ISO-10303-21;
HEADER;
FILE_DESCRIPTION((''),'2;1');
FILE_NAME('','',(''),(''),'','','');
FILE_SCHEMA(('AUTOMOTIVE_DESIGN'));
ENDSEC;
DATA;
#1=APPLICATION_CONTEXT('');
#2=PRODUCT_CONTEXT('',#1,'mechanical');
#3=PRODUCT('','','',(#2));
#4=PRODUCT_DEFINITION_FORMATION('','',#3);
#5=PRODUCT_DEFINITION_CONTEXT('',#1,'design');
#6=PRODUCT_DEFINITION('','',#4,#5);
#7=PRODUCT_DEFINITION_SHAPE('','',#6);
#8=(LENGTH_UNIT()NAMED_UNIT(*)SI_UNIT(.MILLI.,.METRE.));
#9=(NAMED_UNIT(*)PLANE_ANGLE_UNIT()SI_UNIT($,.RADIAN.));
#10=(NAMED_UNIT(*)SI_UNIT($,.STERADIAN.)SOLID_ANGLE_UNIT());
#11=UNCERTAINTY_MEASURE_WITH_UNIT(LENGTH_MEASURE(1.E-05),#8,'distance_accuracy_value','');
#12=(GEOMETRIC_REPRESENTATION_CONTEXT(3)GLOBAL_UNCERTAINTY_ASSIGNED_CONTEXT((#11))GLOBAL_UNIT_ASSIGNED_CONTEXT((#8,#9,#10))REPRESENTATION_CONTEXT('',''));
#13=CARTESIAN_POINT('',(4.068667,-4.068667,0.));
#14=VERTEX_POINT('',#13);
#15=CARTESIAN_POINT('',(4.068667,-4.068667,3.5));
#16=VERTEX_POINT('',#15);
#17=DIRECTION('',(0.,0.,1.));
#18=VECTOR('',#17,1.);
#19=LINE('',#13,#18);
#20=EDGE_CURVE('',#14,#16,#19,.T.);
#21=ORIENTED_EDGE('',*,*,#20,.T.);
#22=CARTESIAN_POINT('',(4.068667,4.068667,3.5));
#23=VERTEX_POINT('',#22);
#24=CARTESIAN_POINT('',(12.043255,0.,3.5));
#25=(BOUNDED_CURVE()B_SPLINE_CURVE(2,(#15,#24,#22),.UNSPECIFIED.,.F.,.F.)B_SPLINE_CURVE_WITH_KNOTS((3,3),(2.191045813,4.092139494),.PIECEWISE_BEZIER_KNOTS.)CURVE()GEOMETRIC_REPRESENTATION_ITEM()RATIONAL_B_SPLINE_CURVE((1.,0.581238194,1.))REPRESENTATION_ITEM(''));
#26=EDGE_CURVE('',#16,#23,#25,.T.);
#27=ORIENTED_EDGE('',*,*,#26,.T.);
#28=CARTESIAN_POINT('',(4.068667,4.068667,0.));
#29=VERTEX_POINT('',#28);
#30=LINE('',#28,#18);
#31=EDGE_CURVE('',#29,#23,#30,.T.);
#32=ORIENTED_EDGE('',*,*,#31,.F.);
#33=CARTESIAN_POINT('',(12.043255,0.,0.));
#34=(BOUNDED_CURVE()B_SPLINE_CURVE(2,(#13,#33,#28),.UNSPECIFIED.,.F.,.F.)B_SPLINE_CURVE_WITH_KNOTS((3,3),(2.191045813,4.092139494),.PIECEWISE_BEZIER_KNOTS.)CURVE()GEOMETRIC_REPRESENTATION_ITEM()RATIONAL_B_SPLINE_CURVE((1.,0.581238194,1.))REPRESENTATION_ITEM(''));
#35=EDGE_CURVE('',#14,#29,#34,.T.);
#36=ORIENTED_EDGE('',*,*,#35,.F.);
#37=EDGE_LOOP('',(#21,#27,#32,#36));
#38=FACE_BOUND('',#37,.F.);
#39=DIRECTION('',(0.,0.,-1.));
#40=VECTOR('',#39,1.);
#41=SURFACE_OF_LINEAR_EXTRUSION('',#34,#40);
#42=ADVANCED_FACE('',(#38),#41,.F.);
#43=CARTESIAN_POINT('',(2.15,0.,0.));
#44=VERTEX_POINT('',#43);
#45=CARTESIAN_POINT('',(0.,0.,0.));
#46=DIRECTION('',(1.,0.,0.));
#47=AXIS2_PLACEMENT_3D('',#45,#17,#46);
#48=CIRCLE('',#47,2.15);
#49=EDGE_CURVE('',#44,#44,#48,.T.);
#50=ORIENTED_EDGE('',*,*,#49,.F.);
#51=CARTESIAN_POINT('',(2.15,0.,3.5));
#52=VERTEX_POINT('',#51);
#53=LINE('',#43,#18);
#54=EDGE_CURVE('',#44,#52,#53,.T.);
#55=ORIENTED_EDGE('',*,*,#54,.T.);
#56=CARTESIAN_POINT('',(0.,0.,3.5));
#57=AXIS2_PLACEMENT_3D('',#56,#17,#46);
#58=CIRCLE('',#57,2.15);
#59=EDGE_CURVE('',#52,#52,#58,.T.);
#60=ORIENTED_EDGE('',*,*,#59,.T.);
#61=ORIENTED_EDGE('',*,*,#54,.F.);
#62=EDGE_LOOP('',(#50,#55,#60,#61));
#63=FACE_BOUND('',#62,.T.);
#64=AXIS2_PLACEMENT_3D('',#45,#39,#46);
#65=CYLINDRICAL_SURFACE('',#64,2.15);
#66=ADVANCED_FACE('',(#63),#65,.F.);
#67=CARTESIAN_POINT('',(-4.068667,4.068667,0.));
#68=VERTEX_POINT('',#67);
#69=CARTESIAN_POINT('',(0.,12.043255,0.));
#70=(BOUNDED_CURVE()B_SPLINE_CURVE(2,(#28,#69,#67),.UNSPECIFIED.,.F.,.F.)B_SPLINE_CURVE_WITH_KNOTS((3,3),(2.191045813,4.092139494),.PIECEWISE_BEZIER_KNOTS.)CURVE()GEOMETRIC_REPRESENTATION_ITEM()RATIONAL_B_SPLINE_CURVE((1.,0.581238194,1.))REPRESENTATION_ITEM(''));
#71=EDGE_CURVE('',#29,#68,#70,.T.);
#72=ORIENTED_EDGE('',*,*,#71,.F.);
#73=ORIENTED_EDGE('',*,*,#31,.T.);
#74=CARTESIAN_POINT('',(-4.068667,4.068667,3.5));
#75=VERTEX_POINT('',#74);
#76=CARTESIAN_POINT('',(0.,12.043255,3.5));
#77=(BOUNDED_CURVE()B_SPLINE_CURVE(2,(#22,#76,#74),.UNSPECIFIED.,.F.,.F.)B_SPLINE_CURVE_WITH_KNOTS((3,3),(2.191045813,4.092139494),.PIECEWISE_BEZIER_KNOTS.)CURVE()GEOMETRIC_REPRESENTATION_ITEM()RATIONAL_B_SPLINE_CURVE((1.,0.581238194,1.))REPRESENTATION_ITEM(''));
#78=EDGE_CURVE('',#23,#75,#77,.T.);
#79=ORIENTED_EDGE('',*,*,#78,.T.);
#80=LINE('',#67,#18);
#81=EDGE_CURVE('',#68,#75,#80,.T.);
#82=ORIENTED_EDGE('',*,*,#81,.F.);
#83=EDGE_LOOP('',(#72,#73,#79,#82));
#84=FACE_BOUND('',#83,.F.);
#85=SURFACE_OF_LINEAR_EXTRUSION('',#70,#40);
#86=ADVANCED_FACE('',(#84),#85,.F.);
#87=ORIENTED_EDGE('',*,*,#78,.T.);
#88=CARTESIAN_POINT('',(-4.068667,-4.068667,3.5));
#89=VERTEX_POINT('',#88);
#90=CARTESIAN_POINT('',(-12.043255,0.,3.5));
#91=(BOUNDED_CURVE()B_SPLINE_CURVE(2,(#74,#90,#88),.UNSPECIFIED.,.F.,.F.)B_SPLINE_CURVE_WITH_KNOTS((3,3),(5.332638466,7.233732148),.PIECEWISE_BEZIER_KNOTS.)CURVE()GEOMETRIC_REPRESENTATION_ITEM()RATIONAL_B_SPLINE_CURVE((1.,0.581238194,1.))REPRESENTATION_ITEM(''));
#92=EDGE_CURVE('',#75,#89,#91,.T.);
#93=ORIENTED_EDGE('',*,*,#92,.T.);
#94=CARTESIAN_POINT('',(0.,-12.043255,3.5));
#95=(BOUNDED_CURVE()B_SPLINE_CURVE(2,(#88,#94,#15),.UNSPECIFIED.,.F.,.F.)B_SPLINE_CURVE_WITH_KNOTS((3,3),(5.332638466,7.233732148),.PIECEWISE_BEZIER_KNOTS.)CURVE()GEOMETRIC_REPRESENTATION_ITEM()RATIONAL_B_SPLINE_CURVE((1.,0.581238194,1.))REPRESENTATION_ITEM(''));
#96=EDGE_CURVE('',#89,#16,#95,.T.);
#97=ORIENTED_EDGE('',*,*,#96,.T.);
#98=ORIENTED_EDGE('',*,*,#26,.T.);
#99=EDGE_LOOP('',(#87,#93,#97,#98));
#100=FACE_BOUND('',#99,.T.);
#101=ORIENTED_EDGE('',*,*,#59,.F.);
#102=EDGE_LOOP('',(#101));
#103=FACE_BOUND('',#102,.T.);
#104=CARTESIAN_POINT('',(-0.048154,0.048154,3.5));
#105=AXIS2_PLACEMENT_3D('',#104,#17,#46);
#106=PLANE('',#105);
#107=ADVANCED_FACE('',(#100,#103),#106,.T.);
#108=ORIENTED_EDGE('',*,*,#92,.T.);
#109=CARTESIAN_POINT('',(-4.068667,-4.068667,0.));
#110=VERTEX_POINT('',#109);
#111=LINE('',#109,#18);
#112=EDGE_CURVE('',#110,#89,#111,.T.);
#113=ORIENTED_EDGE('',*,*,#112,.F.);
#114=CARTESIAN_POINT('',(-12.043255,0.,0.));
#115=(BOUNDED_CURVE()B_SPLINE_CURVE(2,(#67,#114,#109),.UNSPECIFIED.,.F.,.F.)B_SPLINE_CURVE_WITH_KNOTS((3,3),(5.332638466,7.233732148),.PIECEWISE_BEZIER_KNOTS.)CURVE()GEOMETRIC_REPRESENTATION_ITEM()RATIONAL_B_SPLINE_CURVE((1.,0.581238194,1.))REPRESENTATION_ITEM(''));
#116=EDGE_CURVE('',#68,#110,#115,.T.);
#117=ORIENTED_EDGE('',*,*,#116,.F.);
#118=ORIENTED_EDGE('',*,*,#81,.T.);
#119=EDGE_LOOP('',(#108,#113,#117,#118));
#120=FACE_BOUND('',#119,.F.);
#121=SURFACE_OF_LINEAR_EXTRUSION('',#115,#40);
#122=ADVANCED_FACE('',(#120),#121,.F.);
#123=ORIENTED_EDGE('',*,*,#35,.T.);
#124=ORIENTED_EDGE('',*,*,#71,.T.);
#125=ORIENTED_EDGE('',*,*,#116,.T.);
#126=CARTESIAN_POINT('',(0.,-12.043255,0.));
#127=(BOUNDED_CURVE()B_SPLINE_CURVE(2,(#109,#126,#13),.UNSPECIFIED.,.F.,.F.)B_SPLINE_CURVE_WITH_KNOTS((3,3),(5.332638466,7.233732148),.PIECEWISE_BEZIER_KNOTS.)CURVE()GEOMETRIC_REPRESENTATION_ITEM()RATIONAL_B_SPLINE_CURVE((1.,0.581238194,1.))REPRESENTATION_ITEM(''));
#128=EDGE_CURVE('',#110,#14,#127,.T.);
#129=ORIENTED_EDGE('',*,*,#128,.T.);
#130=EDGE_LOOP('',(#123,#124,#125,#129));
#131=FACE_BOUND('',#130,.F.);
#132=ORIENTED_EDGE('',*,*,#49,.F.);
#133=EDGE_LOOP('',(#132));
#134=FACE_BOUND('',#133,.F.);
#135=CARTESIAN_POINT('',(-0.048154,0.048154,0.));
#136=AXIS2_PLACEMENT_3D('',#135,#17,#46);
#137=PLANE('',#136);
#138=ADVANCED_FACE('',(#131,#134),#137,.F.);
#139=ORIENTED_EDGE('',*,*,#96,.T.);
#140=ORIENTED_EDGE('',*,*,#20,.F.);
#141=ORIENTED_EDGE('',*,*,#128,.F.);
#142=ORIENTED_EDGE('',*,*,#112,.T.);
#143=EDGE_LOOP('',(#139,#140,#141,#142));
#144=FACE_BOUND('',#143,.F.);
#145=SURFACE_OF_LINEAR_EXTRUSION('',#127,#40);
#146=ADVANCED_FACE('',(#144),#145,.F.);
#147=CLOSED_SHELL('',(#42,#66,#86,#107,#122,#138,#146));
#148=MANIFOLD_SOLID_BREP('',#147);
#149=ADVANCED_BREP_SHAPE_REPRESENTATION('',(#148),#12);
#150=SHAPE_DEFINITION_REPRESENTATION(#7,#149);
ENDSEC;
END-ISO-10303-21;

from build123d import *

# Parameters (mm, degrees)
F0_R     = 3.5
F0_R_2   = 2.15
F1_DEPTH = 3.5


with BuildPart() as f1:
    # F0 (on Top) → F1 (new body)
    with BuildSketch(Plane.XY):
        with BuildLine():
            add(Edge.make_bspline(
                [(-4.068667356, 4.068667356), (-5, 2.2432553739), (-5, 0)],
                knots=[4.0921394944, 4.0921394944, 4.0921394944, 4.7123889804, 4.7123889804, 4.7123889804], degree=2, weights=[1, 0.9522955085, 1]))
            add(Edge.make_bspline(
                [(-5, 0), (-5, -2.2432553739), (-4.068667356, -4.068667356)],
                knots=[4.7123889804, 4.7123889804, 4.7123889804, 5.3326384664, 5.3326384664, 5.3326384664], degree=2, weights=[1, 0.9522955085, 1]))
            add(Edge.make_bspline(
                [(-4.068667356, -4.068667356), (0, -6.1445180479), (4.068667356, -4.068667356)],
                knots=[0.9505468408, 0.9505468408, 0.9505468408, 2.1910458128, 2.1910458128, 2.1910458128], degree=2, weights=[1, 0.8137334712, 1]))
            add(Edge.make_bspline(
                [(4.068667356, -4.068667356), (6.1445180479, 0), (4.068667356, 4.068667356)],
                knots=[0.9505468408, 0.9505468408, 0.9505468408, 2.1910458128, 2.1910458128, 2.1910458128], degree=2, weights=[1, 0.8137334712, 1]))
            add(Edge.make_bspline(
                [(4.068667356, 4.068667356), (2.2432553739, 5), (0, 5)],
                knots=[4.0921394944, 4.0921394944, 4.0921394944, 4.7123889804, 4.7123889804, 4.7123889804], degree=2, weights=[1, 0.9522955085, 1]))
            add(Edge.make_bspline(
                [(0, 5), (-2.2432553739, 5), (-4.068667356, 4.068667356)],
                knots=[4.7123889804, 4.7123889804, 4.7123889804, 5.3326384664, 5.3326384664, 5.3326384664], degree=2, weights=[1, 0.9522955085, 1]))
        make_face()
        Circle(F0_R, mode=Mode.SUBTRACT)
        with BuildLine():
            add(Edge.make_bspline(
                [(-5, 0), (-5, -2.2432553739), (-4.068667356, -4.068667356)],
                knots=[4.7123889804, 4.7123889804, 4.7123889804, 5.3326384664, 5.3326384664, 5.3326384664], degree=2, weights=[1, 0.9522955085, 1]))
            add(Edge.make_bspline(
                [(-4.068667356, 4.068667356), (-5, 2.2432553739), (-5, 0)],
                knots=[4.0921394944, 4.0921394944, 4.0921394944, 4.7123889804, 4.7123889804, 4.7123889804], degree=2, weights=[1, 0.9522955085, 1]))
            add(Edge.make_bspline(
                [(-4.068667356, 4.068667356), (-12.0432553739, 0), (-4.068667356, -4.068667356)],
                knots=[5.3326384664, 5.3326384664, 5.3326384664, 7.233732148, 7.233732148, 7.233732148], degree=2, weights=[1, 0.5812381937, 1]))
        make_face()
        with BuildLine():
            add(Edge.make_bspline(
                [(-4.068667356, -4.068667356), (0, -6.1445180479), (4.068667356, -4.068667356)],
                knots=[0.9505468408, 0.9505468408, 0.9505468408, 2.1910458128, 2.1910458128, 2.1910458128], degree=2, weights=[1, 0.8137334712, 1]))
            add(Edge.make_bspline(
                [(-4.068667356, -4.068667356), (0, -12.0432553739), (4.068667356, -4.068667356)],
                knots=[5.3326384664, 5.3326384664, 5.3326384664, 7.233732148, 7.233732148, 7.233732148], degree=2, weights=[1, 0.5812381937, 1]))
        make_face()
        with BuildLine():
            add(Edge.make_bspline(
                [(4.068667356, 4.068667356), (0, 12.0432553739), (-4.068667356, 4.068667356)],
                knots=[2.1910458128, 2.1910458128, 2.1910458128, 4.0921394944, 4.0921394944, 4.0921394944], degree=2, weights=[1, 0.5812381937, 1]))
            add(Edge.make_bspline(
                [(0, 5), (-2.2432553739, 5), (-4.068667356, 4.068667356)],
                knots=[4.7123889804, 4.7123889804, 4.7123889804, 5.3326384664, 5.3326384664, 5.3326384664], degree=2, weights=[1, 0.9522955085, 1]))
            add(Edge.make_bspline(
                [(4.068667356, 4.068667356), (2.2432553739, 5), (0, 5)],
                knots=[4.0921394944, 4.0921394944, 4.0921394944, 4.7123889804, 4.7123889804, 4.7123889804], degree=2, weights=[1, 0.9522955085, 1]))
        make_face()
        with BuildLine():
            add(Edge.make_bspline(
                [(4.068667356, -4.068667356), (6.1445180479, 0), (4.068667356, 4.068667356)],
                knots=[0.9505468408, 0.9505468408, 0.9505468408, 2.1910458128, 2.1910458128, 2.1910458128], degree=2, weights=[1, 0.8137334712, 1]))
            add(Edge.make_bspline(
                [(4.068667356, -4.068667356), (12.0432553739, 0), (4.068667356, 4.068667356)],
                knots=[2.1910458128, 2.1910458128, 2.1910458128, 4.0921394944, 4.0921394944, 4.0921394944], degree=2, weights=[1, 0.5812381937, 1]))
        make_face()
        Circle(F0_R)
        Circle(F0_R_2, mode=Mode.SUBTRACT)
    extrude(amount=F1_DEPTH)


solid = f1.part
